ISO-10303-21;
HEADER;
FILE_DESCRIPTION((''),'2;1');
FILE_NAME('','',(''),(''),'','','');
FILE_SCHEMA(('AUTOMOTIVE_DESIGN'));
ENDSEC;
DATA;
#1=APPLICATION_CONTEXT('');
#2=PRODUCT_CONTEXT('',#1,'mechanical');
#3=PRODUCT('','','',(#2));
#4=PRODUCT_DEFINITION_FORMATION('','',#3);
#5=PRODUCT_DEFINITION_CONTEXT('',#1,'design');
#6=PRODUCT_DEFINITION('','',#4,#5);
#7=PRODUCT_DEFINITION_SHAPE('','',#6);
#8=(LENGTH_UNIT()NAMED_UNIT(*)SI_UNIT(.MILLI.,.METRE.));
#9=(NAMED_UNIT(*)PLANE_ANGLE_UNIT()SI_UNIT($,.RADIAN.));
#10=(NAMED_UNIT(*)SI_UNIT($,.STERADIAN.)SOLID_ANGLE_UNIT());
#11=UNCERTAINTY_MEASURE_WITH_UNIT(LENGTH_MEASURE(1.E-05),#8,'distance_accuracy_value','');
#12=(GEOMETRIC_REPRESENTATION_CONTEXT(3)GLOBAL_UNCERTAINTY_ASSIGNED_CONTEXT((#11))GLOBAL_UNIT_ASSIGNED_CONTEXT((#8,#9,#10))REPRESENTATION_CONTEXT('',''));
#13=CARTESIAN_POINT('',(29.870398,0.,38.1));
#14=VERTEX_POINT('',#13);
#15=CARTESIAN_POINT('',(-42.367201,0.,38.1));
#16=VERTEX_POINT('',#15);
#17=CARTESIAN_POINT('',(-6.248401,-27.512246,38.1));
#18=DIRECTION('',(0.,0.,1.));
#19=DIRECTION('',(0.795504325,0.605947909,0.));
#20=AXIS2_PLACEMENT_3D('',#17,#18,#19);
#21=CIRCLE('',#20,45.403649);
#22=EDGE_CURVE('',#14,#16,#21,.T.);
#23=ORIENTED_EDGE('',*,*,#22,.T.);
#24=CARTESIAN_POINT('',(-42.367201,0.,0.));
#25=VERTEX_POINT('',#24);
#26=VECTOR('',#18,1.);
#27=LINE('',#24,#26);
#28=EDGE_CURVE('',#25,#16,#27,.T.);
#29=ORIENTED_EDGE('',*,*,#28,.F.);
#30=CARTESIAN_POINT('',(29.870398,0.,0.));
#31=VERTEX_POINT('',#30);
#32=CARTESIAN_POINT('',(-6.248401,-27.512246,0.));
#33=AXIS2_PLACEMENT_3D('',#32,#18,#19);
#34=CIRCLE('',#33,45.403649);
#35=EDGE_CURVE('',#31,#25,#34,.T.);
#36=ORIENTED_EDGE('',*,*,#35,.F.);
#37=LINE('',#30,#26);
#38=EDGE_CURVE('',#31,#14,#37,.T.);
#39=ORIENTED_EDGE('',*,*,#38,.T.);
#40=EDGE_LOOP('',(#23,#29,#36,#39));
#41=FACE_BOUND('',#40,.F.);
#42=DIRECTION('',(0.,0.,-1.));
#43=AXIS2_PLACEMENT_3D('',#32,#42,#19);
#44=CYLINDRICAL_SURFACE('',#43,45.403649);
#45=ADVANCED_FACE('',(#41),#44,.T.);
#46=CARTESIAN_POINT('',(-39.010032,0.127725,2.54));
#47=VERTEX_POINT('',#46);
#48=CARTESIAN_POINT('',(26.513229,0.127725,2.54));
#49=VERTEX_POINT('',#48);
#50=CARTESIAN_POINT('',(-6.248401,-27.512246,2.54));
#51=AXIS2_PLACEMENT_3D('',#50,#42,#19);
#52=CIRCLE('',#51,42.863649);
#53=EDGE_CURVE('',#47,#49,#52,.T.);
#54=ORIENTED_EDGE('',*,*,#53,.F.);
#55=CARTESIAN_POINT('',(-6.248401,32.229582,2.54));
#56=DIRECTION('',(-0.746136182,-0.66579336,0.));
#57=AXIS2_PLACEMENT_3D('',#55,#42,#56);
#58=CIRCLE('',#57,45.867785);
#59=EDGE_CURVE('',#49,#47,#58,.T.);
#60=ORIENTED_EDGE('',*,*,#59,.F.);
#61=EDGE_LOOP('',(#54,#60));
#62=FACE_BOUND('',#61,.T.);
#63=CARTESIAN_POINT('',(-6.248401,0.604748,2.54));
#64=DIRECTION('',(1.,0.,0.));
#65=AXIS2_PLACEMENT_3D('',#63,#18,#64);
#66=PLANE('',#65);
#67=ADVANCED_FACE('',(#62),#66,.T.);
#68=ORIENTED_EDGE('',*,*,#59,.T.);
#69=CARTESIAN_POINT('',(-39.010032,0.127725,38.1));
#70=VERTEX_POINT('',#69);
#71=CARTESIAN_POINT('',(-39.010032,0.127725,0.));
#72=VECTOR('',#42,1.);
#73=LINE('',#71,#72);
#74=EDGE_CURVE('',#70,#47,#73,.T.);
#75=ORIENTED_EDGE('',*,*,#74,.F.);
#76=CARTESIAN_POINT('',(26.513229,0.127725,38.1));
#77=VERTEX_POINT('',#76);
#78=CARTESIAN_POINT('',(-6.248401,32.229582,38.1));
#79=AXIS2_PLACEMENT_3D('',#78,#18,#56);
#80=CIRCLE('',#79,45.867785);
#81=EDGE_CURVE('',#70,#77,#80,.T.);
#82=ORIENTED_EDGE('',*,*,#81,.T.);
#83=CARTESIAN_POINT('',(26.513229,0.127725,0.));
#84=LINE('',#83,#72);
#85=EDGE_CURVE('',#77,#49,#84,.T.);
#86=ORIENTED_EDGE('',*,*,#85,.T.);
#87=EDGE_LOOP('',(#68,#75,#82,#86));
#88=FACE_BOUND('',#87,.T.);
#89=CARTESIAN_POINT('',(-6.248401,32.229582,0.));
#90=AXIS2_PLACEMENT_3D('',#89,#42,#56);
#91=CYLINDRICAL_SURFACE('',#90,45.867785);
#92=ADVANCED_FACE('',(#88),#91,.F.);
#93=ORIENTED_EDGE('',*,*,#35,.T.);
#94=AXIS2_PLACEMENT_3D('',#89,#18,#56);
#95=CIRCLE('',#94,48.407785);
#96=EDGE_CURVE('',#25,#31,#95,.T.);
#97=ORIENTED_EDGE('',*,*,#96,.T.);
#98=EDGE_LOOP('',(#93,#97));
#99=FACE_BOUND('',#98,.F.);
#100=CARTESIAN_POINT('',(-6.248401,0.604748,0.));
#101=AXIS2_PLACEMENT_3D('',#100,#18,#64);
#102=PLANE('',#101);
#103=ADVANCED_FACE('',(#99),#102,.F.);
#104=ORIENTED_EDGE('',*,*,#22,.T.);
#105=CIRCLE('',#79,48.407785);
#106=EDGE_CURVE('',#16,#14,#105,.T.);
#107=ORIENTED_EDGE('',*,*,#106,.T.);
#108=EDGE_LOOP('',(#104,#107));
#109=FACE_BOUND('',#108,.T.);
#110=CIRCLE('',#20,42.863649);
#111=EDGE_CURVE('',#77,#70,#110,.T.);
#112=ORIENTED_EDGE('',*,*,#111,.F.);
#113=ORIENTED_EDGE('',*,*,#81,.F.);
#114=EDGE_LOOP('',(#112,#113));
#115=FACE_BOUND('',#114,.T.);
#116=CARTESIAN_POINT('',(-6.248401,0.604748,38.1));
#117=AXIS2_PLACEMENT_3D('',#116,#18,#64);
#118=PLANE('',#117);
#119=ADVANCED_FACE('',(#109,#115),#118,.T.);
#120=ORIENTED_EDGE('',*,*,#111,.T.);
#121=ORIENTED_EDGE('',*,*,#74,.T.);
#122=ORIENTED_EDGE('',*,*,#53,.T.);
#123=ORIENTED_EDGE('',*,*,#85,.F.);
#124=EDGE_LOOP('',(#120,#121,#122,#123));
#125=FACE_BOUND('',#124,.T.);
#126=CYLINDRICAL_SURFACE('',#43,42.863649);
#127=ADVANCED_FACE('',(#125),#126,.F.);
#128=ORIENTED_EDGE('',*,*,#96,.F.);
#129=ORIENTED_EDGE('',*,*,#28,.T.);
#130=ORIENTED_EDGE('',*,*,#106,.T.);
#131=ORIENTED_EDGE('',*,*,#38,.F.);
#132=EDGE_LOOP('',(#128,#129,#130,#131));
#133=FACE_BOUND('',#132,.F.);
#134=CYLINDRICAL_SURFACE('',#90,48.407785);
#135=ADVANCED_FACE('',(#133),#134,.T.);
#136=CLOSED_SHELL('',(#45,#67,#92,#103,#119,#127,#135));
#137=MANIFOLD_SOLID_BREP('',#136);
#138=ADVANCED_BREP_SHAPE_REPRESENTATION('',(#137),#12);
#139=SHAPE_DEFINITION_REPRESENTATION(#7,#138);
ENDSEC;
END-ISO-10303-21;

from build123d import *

# Parameters (mm, degrees)
F1_DEPTH = 38.1
F2_T     = -2.54


with BuildPart() as f1:
    # F0 (on Top) → F1 (new body)
    with BuildSketch(Plane.XY):
        with BuildLine():
            ThreePointArc((-42.367201, 0), (-6.248401, -16.178203), (29.870398, 0))
            ThreePointArc((29.870398, 0), (-6.248401, 17.891403), (-42.367201, 0))
        make_face()
    extrude(amount=F1_DEPTH)

    # F2
    f2_openings = [f1.faces().sort_by_distance(p)[0] for p in [
        (-6.248401, 0.736182, 38.1),
    ]]
    offset(amount=F2_T, openings=f2_openings)


solid = f1.part
